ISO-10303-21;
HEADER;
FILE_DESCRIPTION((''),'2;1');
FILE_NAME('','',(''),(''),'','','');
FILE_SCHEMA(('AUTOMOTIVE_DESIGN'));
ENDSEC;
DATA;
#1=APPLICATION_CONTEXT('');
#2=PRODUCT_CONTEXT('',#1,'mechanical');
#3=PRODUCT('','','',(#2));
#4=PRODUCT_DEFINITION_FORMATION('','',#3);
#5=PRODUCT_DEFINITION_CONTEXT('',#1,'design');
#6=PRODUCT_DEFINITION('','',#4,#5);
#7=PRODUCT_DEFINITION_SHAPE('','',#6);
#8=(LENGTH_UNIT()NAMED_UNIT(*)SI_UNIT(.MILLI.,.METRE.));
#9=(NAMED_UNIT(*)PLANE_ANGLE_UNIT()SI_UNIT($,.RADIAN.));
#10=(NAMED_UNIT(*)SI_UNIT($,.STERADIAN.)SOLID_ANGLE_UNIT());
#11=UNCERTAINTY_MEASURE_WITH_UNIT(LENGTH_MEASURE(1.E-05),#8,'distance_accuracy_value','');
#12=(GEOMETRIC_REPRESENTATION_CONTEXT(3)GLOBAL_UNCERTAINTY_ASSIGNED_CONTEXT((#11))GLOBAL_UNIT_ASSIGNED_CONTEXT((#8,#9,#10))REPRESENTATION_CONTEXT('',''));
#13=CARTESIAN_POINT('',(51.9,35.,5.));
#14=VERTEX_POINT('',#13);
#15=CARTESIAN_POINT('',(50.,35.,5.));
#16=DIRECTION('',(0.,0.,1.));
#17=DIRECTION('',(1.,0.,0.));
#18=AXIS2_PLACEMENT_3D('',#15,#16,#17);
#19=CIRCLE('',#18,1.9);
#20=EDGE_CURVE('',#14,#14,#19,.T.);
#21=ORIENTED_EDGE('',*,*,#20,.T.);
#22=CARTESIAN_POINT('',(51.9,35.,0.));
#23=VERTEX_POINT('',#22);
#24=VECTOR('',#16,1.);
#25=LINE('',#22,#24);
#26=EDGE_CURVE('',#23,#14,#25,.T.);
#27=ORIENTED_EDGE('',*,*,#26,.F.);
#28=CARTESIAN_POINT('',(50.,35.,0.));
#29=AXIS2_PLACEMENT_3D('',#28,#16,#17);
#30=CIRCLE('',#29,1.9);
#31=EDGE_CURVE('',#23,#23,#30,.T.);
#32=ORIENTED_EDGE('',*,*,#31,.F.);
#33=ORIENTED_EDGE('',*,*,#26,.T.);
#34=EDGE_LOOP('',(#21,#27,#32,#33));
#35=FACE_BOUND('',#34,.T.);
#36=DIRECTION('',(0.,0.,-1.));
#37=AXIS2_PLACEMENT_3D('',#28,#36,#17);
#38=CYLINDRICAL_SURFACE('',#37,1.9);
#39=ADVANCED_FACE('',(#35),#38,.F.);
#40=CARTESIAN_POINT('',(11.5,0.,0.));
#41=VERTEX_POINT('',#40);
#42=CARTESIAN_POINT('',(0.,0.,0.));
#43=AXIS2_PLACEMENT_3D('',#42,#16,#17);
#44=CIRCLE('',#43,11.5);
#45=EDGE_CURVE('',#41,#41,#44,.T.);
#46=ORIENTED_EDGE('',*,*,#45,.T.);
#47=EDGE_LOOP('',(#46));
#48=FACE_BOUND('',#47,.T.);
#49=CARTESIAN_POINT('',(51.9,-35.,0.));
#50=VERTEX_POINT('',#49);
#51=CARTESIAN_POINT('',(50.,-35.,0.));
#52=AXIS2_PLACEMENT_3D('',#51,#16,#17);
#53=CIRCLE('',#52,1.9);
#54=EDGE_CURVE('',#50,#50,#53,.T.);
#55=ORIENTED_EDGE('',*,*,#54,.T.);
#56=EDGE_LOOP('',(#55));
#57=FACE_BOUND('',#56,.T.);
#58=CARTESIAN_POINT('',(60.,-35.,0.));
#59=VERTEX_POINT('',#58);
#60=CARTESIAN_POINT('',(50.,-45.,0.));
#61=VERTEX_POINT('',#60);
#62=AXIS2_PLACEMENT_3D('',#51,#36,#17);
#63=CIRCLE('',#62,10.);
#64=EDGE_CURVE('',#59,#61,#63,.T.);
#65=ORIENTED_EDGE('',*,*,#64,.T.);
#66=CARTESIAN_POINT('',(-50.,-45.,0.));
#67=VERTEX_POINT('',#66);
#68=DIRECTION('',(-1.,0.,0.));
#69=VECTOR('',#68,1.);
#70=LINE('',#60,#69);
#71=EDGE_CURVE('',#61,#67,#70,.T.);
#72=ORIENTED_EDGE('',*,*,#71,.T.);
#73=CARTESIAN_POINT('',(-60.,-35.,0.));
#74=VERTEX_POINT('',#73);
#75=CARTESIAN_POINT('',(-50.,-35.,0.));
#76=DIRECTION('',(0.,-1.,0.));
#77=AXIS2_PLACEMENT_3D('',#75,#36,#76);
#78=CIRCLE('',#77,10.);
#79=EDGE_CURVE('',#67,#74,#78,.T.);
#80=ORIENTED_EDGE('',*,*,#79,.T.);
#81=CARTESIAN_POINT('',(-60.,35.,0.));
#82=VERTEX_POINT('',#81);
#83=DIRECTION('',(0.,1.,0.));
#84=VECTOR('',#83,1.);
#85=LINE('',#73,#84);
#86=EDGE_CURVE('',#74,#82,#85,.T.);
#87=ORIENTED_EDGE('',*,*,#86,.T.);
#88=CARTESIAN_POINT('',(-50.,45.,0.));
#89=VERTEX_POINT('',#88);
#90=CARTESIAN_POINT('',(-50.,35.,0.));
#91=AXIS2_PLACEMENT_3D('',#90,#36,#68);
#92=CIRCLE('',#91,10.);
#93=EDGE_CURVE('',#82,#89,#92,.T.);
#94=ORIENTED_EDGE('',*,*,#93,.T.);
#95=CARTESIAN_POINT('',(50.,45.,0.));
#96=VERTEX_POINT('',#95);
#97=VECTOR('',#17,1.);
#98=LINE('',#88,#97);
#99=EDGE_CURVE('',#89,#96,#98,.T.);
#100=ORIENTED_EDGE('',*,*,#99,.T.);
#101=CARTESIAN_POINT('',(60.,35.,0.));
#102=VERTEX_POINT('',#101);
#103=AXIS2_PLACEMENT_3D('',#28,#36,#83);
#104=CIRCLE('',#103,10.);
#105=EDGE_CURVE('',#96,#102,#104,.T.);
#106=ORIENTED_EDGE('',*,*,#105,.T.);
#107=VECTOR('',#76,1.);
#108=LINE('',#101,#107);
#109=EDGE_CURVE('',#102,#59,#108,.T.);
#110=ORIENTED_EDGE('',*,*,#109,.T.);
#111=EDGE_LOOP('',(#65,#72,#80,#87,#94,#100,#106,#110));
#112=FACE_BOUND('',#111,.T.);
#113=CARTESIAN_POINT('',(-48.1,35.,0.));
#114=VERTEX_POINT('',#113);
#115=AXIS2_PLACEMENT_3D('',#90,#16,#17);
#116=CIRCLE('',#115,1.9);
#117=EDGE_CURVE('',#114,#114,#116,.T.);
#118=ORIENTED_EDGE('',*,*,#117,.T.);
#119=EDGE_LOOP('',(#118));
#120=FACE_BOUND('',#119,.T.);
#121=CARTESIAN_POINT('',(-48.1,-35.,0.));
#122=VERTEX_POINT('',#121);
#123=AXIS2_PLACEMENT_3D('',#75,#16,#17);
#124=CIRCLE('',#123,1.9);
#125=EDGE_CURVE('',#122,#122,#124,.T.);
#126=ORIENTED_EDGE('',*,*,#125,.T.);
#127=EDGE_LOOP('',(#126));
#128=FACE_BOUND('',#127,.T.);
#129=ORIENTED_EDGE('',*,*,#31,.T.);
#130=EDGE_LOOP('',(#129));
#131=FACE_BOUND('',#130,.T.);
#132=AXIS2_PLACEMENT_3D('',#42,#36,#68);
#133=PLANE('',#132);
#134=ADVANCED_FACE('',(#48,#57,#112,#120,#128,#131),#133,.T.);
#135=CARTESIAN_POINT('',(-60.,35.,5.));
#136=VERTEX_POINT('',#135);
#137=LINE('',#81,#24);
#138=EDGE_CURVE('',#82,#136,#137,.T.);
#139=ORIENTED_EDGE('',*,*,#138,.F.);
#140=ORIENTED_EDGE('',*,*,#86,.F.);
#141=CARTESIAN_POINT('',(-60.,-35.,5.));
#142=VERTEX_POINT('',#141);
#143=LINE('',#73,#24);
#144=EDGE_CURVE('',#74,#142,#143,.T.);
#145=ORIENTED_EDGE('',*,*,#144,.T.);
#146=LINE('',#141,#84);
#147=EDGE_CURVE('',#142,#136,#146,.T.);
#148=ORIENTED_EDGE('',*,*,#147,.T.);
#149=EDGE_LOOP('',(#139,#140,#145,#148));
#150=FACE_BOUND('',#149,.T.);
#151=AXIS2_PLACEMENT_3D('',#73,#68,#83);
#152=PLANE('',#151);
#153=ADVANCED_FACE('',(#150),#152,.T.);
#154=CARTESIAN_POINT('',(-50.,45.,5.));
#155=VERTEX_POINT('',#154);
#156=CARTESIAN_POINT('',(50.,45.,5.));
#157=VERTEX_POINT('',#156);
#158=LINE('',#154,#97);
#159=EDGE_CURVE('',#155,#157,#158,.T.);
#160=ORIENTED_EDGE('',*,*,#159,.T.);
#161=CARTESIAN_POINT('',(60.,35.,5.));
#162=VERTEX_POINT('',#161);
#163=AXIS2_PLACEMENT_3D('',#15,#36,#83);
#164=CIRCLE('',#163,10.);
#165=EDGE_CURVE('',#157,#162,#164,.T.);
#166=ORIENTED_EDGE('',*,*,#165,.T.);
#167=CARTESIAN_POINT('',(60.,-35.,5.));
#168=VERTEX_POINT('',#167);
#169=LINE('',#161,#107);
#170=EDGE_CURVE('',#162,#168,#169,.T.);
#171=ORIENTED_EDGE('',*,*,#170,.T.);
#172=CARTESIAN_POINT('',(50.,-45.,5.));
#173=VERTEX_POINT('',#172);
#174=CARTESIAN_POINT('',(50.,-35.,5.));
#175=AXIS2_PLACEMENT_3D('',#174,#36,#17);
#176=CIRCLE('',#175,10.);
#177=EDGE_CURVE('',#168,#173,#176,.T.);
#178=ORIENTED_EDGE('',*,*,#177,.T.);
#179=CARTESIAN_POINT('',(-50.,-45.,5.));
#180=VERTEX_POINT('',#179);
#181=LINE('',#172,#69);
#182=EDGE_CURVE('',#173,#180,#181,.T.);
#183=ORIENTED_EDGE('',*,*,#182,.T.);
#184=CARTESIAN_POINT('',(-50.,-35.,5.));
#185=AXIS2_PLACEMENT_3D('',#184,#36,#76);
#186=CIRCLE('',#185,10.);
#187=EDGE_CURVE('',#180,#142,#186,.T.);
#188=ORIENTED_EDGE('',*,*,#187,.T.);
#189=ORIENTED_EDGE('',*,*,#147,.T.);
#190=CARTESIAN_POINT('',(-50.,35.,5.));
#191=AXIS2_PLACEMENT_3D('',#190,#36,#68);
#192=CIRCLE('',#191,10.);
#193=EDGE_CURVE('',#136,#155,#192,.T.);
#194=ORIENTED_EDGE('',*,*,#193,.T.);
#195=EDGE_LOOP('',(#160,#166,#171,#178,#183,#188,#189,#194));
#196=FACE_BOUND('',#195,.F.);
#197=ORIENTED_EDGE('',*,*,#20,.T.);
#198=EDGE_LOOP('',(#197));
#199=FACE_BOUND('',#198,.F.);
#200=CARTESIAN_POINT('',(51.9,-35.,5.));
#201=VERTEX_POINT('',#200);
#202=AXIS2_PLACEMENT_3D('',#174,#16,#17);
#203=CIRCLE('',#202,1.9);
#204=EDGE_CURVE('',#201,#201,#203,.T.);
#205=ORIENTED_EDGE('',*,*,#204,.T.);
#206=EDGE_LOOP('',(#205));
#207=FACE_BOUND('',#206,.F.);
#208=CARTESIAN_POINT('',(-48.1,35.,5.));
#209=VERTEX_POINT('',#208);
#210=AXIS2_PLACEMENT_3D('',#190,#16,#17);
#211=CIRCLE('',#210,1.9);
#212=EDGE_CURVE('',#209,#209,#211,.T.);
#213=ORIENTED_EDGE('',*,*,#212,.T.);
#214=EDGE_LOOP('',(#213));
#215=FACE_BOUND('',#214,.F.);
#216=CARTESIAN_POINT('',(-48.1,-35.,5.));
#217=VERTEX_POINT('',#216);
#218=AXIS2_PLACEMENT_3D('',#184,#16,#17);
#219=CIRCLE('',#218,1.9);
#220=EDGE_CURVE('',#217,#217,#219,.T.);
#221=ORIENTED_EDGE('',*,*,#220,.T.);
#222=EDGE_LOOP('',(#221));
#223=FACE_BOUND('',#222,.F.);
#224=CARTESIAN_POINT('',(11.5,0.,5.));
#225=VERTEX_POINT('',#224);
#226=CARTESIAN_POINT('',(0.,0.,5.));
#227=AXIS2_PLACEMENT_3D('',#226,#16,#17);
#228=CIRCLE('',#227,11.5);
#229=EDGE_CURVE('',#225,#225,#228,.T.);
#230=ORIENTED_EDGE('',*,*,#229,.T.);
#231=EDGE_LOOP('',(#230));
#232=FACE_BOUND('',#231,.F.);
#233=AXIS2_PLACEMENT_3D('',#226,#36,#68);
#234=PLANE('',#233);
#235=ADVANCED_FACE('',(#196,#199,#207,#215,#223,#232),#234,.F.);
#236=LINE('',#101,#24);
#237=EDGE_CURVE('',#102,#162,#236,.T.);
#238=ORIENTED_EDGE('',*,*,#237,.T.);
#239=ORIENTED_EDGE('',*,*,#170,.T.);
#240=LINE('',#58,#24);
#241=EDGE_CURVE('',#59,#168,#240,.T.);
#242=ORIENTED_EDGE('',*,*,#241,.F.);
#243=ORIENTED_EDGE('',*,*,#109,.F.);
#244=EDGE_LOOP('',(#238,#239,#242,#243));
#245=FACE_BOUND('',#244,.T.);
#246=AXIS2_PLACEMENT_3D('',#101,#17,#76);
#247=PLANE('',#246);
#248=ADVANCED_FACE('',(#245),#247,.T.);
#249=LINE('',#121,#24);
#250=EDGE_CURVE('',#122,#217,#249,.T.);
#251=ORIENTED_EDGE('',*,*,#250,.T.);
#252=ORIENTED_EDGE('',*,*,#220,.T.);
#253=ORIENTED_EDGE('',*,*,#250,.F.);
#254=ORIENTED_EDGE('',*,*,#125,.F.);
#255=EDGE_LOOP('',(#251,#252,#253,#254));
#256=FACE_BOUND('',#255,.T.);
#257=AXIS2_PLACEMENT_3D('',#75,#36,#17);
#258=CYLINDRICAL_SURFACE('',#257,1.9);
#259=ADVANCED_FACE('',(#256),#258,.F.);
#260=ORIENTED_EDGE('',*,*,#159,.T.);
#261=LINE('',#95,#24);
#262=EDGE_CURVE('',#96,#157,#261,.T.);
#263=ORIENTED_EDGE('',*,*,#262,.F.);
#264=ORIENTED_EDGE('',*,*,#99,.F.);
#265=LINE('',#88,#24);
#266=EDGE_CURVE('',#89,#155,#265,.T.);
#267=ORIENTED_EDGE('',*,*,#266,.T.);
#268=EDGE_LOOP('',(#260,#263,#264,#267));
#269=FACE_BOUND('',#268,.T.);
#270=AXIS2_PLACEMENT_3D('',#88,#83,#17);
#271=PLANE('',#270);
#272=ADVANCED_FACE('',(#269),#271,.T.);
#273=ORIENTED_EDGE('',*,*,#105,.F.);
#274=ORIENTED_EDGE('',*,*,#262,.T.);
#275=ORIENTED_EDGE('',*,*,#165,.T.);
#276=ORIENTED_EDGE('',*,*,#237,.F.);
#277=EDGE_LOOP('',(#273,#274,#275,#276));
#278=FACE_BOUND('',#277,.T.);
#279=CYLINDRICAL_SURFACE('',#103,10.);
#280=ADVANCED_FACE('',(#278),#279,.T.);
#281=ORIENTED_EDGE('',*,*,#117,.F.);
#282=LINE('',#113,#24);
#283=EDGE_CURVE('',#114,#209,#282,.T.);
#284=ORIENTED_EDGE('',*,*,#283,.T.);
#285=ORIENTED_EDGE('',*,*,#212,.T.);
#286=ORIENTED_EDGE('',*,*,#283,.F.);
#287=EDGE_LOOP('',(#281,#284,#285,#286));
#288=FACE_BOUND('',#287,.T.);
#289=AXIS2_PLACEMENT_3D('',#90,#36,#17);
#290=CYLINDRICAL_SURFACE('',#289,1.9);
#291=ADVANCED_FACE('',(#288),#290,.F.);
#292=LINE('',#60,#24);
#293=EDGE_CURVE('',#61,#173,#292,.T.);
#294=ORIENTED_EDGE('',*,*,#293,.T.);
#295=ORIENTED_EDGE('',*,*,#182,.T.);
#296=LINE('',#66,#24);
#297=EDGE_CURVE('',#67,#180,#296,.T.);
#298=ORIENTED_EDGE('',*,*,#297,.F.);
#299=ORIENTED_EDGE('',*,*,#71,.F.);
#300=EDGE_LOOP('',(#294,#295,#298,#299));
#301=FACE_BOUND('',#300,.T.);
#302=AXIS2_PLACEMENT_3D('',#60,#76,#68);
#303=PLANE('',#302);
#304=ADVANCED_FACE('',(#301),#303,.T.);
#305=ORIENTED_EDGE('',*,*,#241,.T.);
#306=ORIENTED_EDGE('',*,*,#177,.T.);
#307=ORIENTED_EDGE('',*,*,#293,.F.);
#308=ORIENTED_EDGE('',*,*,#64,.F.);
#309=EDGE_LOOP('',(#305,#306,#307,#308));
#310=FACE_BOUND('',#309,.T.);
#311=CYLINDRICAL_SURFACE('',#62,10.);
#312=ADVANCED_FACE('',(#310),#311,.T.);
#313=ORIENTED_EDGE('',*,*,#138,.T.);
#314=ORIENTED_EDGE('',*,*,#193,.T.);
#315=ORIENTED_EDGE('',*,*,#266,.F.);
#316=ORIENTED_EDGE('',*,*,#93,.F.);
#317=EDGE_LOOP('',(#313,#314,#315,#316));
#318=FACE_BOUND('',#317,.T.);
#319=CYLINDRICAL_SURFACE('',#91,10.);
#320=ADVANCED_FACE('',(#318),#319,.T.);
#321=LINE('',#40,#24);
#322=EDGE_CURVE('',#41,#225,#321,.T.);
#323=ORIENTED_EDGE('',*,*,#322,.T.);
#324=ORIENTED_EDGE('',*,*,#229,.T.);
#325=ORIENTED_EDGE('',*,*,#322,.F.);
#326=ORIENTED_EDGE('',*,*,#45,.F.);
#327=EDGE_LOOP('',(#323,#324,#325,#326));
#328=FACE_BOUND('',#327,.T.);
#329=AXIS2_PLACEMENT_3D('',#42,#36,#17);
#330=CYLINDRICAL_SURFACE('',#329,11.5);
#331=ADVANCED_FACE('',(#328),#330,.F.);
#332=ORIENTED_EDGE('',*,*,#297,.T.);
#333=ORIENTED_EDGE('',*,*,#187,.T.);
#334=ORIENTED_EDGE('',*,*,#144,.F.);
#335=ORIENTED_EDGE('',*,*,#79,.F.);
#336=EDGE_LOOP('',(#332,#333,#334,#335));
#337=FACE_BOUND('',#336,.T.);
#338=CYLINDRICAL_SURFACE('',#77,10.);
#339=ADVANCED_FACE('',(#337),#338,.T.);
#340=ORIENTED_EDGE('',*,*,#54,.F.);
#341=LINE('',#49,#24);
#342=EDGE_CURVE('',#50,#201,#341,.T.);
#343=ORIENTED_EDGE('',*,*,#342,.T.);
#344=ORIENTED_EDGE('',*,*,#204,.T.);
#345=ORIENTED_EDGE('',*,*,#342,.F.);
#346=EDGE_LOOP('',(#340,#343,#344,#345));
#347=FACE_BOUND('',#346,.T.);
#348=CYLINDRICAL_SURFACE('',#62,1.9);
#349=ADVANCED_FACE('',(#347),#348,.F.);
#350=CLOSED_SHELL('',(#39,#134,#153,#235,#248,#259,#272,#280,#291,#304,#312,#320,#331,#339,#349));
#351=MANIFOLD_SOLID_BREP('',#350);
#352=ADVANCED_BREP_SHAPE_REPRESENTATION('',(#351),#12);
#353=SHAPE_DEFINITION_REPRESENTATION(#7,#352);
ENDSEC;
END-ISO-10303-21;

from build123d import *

# Parameters (mm, degrees)
SKETCH3_R           = 1.9
SKETCH3_R_2         = 11.5
BOSS_EXTRUDE2_DEPTH = 5


with BuildPart() as part:
    # Sketch3 → Boss-Extrude2 (new body)
    with BuildSketch(Plane.XY):
        with BuildLine():
            Line((-50, 45), (50, 45))
            ThreePointArc((50, 45), (57.071067812, 42.071067812), (60, 35))
            Line((60, 35), (60, -35))
            ThreePointArc((60, -35), (57.071067812, -42.071067812), (50, -45))
            Line((50, -45), (-50, -45))
            ThreePointArc((-50, -45), (-57.071067812, -42.071067812), (-60, -35))
            Line((-60, -35), (-60, 35))
            ThreePointArc((-60, 35), (-57.071067812, 42.071067812), (-50, 45))
        make_face()
        with Locations((-50, 35)):
            Circle(SKETCH3_R, mode=Mode.SUBTRACT)
        with Locations((50, 35)):
            Circle(SKETCH3_R, mode=Mode.SUBTRACT)
        with Locations((50, -35)):
            Circle(SKETCH3_R, mode=Mode.SUBTRACT)
        with Locations((-50, -35)):
            Circle(SKETCH3_R, mode=Mode.SUBTRACT)
        Circle(SKETCH3_R_2, mode=Mode.SUBTRACT)
    extrude(amount=BOSS_EXTRUDE2_DEPTH)


solid = part.part
